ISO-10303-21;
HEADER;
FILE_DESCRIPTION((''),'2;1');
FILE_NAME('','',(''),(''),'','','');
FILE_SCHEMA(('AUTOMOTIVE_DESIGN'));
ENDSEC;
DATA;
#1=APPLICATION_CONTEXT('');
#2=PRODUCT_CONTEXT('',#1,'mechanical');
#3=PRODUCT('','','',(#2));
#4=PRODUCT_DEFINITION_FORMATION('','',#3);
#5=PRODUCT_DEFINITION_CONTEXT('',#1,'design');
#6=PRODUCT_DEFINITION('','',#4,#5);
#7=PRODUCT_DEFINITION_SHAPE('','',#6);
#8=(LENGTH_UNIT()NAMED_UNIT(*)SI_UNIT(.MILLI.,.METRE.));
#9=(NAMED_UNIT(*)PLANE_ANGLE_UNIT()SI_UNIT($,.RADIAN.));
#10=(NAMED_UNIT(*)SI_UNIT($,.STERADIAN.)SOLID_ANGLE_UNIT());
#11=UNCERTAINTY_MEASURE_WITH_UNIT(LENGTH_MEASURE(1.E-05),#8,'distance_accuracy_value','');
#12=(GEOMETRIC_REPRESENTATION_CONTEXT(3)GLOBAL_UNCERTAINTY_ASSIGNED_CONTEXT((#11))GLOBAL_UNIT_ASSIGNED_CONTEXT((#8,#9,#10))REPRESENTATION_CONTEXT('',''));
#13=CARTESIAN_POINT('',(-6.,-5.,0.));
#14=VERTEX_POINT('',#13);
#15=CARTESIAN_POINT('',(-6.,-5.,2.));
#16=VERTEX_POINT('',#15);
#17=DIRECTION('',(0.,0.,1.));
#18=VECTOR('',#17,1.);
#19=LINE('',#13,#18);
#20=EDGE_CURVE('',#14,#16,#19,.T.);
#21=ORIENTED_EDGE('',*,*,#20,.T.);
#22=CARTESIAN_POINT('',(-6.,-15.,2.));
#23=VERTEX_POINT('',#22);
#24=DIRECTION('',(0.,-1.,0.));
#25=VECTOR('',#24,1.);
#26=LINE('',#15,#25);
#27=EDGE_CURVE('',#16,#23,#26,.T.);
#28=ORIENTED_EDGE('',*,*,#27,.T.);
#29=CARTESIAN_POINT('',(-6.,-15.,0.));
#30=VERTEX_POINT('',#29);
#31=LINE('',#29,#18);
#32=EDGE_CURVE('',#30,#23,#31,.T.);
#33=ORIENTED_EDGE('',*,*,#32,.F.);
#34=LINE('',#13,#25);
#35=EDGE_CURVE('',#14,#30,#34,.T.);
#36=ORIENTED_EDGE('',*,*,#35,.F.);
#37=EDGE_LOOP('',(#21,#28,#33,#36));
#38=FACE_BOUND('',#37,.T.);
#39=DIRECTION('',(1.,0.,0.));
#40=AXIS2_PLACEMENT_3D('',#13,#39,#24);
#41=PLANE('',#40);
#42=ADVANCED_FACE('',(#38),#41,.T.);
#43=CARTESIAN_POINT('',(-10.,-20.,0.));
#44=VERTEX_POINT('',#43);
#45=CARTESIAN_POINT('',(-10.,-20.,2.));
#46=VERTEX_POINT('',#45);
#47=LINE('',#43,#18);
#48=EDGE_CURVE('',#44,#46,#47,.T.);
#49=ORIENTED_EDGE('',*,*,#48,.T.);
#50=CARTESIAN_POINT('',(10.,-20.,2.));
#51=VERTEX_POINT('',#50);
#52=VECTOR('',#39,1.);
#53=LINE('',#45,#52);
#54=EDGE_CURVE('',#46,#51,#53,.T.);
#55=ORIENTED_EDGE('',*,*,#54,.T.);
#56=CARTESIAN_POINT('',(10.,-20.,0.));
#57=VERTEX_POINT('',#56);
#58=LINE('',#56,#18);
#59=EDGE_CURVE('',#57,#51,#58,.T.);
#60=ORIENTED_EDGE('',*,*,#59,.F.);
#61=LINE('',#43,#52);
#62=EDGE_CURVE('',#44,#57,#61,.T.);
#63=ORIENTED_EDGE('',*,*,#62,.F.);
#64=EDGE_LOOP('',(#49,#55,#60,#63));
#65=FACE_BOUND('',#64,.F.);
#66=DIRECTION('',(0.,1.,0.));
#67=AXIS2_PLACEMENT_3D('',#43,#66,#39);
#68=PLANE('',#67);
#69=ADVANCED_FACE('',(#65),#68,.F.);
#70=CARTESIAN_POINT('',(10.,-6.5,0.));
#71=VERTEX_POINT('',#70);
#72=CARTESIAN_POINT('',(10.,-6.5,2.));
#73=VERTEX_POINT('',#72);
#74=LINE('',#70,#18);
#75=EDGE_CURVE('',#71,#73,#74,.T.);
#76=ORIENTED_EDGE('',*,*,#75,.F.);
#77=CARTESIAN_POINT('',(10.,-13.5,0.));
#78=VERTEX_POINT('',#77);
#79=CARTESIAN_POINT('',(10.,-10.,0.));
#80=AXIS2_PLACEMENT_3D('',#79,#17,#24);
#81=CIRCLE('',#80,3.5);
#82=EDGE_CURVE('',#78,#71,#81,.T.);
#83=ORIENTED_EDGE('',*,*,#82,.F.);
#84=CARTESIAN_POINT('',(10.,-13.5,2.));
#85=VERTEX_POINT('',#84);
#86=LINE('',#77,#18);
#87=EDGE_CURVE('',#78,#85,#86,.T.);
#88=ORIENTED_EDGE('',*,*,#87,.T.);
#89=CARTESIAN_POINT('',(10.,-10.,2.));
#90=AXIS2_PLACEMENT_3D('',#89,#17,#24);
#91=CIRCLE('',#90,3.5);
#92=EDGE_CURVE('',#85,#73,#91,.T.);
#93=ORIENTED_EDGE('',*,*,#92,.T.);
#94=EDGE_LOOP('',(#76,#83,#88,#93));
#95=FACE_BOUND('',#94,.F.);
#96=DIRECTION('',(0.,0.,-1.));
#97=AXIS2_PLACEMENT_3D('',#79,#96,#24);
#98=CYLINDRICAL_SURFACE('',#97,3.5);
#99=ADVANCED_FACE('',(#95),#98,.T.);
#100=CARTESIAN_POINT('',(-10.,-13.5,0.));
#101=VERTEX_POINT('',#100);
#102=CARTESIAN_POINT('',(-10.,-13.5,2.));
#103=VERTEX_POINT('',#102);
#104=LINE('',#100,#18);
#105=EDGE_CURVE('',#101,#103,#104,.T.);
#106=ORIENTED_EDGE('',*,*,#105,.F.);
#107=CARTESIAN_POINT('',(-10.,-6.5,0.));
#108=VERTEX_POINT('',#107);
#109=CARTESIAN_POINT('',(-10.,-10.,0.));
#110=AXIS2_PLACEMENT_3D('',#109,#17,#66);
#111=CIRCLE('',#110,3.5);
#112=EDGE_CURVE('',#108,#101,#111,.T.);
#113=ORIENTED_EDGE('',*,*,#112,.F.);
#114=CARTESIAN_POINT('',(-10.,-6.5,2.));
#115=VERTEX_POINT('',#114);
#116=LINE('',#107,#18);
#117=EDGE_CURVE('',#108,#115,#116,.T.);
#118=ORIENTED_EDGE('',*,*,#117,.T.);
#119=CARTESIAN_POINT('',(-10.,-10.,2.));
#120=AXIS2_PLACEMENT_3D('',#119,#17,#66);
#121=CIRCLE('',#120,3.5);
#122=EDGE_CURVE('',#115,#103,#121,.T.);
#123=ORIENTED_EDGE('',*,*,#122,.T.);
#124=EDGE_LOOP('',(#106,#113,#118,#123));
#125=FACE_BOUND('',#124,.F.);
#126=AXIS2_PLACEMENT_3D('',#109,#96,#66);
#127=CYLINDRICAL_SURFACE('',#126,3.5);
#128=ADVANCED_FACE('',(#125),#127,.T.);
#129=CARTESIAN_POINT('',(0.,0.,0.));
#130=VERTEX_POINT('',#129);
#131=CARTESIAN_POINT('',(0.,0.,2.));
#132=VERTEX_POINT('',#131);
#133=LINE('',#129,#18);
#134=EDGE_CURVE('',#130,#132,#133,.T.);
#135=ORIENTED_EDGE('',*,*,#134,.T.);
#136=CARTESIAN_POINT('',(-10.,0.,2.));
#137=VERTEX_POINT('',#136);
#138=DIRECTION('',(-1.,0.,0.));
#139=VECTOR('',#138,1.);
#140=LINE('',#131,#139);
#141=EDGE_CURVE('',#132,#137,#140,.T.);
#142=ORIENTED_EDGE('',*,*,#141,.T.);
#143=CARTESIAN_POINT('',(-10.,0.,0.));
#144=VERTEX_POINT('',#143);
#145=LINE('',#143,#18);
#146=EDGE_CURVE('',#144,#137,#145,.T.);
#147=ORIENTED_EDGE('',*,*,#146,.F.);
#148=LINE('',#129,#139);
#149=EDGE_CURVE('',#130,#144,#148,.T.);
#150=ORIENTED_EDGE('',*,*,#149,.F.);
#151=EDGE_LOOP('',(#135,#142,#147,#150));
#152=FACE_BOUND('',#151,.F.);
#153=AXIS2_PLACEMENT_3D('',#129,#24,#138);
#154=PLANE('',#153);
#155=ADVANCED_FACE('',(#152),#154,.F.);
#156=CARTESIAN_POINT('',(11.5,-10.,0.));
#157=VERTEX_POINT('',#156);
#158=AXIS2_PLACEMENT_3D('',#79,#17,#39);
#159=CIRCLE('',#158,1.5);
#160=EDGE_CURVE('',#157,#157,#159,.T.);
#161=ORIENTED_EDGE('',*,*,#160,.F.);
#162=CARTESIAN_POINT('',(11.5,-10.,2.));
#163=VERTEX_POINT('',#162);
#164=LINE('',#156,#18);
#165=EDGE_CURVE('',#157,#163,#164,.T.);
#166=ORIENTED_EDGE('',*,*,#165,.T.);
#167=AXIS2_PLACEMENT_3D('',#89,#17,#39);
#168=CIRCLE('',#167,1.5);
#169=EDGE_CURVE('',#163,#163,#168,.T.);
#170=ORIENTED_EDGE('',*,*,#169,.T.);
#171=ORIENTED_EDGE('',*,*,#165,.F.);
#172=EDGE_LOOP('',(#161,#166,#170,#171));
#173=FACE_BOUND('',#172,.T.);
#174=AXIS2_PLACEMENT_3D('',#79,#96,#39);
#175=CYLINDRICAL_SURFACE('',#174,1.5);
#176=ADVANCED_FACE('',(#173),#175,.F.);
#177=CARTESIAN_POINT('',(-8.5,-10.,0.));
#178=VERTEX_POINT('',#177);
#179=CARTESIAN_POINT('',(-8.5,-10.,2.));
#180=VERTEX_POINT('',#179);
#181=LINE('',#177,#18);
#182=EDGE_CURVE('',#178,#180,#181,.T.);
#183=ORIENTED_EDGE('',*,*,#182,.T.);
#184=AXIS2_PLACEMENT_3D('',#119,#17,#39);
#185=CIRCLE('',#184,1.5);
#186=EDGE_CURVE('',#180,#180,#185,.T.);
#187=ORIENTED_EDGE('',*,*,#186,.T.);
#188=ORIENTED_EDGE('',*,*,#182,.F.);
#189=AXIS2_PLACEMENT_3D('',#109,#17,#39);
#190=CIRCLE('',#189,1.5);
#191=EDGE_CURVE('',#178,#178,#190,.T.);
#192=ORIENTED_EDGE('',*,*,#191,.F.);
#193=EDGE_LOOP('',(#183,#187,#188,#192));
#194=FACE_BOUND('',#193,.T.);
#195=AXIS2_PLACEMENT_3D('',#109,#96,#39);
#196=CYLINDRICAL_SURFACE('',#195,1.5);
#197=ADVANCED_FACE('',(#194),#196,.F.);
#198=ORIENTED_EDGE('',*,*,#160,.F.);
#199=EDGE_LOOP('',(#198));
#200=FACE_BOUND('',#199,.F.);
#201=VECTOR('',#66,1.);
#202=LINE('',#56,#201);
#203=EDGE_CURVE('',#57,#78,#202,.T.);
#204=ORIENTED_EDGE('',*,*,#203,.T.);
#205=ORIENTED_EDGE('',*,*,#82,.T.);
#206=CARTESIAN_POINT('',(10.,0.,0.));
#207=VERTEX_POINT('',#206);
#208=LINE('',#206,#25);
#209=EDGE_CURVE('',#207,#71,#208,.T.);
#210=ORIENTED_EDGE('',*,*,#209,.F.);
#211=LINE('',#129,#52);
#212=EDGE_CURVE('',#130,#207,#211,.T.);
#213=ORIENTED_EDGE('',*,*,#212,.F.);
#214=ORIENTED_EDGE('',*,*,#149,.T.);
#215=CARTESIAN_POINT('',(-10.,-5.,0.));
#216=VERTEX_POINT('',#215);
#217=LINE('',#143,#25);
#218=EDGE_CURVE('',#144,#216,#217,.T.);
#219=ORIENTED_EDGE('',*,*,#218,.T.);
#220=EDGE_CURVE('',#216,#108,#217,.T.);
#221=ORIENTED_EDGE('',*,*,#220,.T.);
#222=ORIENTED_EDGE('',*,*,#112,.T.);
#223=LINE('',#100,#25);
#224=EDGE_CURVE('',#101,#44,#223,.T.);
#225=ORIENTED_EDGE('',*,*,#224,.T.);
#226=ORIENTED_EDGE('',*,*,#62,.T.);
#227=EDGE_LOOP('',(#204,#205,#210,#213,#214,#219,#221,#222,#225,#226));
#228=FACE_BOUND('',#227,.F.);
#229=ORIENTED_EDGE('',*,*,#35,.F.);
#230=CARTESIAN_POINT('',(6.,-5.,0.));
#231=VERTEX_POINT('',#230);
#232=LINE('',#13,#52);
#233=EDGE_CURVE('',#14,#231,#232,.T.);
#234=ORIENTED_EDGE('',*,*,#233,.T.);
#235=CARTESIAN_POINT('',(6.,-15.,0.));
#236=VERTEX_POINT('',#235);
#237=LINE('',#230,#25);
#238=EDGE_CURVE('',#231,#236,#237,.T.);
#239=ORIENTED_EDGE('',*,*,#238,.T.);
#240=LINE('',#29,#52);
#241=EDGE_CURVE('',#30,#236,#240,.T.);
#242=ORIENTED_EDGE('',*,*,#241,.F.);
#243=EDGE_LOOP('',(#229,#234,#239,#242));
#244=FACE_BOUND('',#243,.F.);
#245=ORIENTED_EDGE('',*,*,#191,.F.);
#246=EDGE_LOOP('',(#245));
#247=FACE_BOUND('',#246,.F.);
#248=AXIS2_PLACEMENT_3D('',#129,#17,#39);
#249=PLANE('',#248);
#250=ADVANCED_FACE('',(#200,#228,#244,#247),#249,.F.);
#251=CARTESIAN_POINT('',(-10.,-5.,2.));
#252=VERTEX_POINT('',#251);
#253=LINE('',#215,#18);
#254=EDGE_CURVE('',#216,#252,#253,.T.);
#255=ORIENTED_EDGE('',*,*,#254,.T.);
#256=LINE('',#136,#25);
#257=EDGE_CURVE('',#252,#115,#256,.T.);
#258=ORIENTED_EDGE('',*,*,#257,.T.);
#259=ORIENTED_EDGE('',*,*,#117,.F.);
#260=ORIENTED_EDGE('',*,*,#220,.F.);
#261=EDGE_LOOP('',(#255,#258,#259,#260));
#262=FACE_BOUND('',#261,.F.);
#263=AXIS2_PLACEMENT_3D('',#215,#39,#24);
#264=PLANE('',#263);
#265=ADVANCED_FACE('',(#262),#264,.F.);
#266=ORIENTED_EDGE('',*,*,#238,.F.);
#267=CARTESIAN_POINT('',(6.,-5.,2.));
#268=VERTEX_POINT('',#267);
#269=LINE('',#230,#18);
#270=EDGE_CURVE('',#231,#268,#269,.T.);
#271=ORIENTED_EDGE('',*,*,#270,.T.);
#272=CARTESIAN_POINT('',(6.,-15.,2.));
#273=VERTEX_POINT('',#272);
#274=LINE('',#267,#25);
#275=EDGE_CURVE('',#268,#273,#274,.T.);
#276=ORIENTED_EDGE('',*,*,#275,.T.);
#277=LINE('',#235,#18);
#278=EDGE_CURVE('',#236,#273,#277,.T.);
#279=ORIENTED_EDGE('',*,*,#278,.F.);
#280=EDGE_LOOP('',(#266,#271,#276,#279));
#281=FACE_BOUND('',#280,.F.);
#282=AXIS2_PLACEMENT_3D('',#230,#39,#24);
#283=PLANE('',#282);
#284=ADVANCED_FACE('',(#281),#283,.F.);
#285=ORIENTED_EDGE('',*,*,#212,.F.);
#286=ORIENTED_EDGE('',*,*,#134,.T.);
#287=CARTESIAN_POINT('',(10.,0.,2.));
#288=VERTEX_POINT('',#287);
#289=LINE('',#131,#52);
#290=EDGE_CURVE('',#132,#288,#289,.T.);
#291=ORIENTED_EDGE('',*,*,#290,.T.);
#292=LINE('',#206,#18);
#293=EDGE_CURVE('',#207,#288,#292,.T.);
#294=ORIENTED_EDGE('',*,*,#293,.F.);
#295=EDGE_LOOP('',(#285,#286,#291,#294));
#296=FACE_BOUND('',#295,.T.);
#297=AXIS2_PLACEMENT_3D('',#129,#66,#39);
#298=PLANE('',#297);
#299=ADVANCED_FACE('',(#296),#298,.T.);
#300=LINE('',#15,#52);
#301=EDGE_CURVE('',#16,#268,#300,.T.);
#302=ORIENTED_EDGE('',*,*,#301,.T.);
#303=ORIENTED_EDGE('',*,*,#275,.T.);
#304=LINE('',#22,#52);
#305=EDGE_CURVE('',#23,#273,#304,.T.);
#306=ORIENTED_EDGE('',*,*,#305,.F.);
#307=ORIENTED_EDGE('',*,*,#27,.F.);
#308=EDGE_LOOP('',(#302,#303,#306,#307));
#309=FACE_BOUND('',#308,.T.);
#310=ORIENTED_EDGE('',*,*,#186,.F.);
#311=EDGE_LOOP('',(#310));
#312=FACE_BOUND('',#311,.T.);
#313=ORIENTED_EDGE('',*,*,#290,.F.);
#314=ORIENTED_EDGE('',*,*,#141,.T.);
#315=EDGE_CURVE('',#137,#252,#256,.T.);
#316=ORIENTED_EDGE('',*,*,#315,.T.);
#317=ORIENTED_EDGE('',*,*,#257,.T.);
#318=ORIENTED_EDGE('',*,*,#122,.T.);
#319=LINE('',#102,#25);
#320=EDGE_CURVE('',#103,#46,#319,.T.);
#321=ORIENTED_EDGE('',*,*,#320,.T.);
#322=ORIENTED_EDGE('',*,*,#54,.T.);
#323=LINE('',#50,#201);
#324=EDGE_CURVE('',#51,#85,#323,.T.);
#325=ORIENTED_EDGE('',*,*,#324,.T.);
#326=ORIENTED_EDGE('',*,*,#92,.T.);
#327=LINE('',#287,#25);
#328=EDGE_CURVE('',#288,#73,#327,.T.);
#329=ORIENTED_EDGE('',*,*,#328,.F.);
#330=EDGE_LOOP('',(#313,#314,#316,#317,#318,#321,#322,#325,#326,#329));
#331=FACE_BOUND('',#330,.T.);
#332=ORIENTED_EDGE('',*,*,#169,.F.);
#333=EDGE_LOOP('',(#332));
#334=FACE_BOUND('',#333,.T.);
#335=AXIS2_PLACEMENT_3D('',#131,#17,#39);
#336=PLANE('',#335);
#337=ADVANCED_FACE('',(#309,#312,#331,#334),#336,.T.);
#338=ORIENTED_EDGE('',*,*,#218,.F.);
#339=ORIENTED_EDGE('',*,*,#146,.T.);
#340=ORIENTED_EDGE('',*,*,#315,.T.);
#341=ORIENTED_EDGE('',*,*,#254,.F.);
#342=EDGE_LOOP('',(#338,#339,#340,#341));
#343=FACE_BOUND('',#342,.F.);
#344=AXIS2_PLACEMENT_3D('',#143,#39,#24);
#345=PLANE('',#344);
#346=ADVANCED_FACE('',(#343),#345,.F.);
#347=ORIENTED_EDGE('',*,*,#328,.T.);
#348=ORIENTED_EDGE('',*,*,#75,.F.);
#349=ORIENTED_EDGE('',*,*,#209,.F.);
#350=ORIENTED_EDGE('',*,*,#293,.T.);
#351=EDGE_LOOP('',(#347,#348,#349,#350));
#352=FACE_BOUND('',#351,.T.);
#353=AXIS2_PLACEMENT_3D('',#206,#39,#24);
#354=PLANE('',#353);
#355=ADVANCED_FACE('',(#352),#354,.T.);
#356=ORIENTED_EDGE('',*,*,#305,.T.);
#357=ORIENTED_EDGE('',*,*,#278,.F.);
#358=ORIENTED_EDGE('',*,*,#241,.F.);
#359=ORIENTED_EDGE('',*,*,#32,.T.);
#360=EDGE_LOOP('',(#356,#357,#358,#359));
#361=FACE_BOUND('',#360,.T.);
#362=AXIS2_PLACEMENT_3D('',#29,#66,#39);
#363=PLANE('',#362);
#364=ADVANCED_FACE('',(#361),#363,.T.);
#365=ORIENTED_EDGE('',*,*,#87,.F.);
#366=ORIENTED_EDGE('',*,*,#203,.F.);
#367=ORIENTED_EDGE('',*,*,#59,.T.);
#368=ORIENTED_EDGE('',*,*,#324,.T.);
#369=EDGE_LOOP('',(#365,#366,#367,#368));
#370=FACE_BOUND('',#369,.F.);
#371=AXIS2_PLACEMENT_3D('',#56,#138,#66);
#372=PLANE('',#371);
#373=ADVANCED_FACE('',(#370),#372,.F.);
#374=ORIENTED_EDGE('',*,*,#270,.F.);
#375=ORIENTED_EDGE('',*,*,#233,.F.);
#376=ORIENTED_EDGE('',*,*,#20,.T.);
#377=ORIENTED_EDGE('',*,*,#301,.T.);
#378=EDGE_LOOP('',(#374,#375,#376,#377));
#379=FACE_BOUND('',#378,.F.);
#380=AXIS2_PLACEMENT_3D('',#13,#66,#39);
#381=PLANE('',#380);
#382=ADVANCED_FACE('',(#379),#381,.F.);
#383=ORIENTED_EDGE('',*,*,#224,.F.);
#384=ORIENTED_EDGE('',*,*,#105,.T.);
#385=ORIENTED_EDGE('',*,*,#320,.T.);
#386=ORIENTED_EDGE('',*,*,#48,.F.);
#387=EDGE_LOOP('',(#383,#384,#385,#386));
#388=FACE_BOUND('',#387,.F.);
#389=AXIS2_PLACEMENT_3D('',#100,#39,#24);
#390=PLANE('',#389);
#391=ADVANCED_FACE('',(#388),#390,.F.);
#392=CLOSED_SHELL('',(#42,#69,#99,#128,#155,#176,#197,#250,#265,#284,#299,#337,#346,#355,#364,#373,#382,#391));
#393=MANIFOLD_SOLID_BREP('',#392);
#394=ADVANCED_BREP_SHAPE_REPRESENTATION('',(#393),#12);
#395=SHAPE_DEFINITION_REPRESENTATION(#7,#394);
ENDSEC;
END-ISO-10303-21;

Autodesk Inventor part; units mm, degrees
ref_plane "YZ Plane" through (0, 0, 0) normal (1, 0, 0) x (0, 1, 0)
ref_plane "XZ Plane" through (0, 0, 0) normal (0, 1, 0) x (-1, 0, 0)
ref_plane "XY Plane" through (0, 0, 0) normal (0, 0, 1) x (1, 0, 0)
sketch "Sketch1" plane through (0, 0, 0) normal (0, 0, 1) x (1, 0, 0)
  line L0 (0, 0) -> (10, 0)
  line L1 (0, 0) -> (-10, 0)
  line L2 (-10, 0) -> (-10, -6.5)
  line L3 (10, 0) -> (10, -6.5)
  line L4 (-10, 0) -> (10, 0)
  line L5 (-10, -20) -> (10, -20)
  line L6 (-10, -6.5) -> (-10, -5)
  line L7 (-6, -5) -> (6, -5)
  line L8 (-6, -15) -> (6, -15)
  line L9 (6, -5) -> (6, -15)
  line L10 (-6, -5) -> (-6, -15)
  line L11 (-10, 0) -> (-10, -6.5)
  line L12 (-10, -13.5) -> (-10, -20)
  line L13 (10, -20) -> (10, -13.5)
  line L14 (10, -6.5) -> (10, 0)
  circle A0 centre (10, -10) radius 1.5
  arc A1 (10, -13.5) -> (10, -6.5) centre (10, -10) ccw
  circle A2 centre (-10, -10) radius 1.5
  arc A3 (-10, -6.5) -> (-10, -13.5) centre (-10, -10) ccw
  dimension "d0" = 10
  dimension "d1" = 10
  dimension "d2" = 20
  dimension "d7" = 3
  dimension "d8" = 7
  dimension "d9" = 3
  dimension "d10" = 7
extrude "Extrusion1" add sketch "Sketch1" along normal blind 2
thread "Thread2" size "M3x0.5" class "6H" standard "ANSI Metric M Profile" full length
thread "Thread3" size "M3x0.5" class "6H" standard "ANSI Metric M Profile" full length
properties part number "Time of Flight Attachment 3.0"
